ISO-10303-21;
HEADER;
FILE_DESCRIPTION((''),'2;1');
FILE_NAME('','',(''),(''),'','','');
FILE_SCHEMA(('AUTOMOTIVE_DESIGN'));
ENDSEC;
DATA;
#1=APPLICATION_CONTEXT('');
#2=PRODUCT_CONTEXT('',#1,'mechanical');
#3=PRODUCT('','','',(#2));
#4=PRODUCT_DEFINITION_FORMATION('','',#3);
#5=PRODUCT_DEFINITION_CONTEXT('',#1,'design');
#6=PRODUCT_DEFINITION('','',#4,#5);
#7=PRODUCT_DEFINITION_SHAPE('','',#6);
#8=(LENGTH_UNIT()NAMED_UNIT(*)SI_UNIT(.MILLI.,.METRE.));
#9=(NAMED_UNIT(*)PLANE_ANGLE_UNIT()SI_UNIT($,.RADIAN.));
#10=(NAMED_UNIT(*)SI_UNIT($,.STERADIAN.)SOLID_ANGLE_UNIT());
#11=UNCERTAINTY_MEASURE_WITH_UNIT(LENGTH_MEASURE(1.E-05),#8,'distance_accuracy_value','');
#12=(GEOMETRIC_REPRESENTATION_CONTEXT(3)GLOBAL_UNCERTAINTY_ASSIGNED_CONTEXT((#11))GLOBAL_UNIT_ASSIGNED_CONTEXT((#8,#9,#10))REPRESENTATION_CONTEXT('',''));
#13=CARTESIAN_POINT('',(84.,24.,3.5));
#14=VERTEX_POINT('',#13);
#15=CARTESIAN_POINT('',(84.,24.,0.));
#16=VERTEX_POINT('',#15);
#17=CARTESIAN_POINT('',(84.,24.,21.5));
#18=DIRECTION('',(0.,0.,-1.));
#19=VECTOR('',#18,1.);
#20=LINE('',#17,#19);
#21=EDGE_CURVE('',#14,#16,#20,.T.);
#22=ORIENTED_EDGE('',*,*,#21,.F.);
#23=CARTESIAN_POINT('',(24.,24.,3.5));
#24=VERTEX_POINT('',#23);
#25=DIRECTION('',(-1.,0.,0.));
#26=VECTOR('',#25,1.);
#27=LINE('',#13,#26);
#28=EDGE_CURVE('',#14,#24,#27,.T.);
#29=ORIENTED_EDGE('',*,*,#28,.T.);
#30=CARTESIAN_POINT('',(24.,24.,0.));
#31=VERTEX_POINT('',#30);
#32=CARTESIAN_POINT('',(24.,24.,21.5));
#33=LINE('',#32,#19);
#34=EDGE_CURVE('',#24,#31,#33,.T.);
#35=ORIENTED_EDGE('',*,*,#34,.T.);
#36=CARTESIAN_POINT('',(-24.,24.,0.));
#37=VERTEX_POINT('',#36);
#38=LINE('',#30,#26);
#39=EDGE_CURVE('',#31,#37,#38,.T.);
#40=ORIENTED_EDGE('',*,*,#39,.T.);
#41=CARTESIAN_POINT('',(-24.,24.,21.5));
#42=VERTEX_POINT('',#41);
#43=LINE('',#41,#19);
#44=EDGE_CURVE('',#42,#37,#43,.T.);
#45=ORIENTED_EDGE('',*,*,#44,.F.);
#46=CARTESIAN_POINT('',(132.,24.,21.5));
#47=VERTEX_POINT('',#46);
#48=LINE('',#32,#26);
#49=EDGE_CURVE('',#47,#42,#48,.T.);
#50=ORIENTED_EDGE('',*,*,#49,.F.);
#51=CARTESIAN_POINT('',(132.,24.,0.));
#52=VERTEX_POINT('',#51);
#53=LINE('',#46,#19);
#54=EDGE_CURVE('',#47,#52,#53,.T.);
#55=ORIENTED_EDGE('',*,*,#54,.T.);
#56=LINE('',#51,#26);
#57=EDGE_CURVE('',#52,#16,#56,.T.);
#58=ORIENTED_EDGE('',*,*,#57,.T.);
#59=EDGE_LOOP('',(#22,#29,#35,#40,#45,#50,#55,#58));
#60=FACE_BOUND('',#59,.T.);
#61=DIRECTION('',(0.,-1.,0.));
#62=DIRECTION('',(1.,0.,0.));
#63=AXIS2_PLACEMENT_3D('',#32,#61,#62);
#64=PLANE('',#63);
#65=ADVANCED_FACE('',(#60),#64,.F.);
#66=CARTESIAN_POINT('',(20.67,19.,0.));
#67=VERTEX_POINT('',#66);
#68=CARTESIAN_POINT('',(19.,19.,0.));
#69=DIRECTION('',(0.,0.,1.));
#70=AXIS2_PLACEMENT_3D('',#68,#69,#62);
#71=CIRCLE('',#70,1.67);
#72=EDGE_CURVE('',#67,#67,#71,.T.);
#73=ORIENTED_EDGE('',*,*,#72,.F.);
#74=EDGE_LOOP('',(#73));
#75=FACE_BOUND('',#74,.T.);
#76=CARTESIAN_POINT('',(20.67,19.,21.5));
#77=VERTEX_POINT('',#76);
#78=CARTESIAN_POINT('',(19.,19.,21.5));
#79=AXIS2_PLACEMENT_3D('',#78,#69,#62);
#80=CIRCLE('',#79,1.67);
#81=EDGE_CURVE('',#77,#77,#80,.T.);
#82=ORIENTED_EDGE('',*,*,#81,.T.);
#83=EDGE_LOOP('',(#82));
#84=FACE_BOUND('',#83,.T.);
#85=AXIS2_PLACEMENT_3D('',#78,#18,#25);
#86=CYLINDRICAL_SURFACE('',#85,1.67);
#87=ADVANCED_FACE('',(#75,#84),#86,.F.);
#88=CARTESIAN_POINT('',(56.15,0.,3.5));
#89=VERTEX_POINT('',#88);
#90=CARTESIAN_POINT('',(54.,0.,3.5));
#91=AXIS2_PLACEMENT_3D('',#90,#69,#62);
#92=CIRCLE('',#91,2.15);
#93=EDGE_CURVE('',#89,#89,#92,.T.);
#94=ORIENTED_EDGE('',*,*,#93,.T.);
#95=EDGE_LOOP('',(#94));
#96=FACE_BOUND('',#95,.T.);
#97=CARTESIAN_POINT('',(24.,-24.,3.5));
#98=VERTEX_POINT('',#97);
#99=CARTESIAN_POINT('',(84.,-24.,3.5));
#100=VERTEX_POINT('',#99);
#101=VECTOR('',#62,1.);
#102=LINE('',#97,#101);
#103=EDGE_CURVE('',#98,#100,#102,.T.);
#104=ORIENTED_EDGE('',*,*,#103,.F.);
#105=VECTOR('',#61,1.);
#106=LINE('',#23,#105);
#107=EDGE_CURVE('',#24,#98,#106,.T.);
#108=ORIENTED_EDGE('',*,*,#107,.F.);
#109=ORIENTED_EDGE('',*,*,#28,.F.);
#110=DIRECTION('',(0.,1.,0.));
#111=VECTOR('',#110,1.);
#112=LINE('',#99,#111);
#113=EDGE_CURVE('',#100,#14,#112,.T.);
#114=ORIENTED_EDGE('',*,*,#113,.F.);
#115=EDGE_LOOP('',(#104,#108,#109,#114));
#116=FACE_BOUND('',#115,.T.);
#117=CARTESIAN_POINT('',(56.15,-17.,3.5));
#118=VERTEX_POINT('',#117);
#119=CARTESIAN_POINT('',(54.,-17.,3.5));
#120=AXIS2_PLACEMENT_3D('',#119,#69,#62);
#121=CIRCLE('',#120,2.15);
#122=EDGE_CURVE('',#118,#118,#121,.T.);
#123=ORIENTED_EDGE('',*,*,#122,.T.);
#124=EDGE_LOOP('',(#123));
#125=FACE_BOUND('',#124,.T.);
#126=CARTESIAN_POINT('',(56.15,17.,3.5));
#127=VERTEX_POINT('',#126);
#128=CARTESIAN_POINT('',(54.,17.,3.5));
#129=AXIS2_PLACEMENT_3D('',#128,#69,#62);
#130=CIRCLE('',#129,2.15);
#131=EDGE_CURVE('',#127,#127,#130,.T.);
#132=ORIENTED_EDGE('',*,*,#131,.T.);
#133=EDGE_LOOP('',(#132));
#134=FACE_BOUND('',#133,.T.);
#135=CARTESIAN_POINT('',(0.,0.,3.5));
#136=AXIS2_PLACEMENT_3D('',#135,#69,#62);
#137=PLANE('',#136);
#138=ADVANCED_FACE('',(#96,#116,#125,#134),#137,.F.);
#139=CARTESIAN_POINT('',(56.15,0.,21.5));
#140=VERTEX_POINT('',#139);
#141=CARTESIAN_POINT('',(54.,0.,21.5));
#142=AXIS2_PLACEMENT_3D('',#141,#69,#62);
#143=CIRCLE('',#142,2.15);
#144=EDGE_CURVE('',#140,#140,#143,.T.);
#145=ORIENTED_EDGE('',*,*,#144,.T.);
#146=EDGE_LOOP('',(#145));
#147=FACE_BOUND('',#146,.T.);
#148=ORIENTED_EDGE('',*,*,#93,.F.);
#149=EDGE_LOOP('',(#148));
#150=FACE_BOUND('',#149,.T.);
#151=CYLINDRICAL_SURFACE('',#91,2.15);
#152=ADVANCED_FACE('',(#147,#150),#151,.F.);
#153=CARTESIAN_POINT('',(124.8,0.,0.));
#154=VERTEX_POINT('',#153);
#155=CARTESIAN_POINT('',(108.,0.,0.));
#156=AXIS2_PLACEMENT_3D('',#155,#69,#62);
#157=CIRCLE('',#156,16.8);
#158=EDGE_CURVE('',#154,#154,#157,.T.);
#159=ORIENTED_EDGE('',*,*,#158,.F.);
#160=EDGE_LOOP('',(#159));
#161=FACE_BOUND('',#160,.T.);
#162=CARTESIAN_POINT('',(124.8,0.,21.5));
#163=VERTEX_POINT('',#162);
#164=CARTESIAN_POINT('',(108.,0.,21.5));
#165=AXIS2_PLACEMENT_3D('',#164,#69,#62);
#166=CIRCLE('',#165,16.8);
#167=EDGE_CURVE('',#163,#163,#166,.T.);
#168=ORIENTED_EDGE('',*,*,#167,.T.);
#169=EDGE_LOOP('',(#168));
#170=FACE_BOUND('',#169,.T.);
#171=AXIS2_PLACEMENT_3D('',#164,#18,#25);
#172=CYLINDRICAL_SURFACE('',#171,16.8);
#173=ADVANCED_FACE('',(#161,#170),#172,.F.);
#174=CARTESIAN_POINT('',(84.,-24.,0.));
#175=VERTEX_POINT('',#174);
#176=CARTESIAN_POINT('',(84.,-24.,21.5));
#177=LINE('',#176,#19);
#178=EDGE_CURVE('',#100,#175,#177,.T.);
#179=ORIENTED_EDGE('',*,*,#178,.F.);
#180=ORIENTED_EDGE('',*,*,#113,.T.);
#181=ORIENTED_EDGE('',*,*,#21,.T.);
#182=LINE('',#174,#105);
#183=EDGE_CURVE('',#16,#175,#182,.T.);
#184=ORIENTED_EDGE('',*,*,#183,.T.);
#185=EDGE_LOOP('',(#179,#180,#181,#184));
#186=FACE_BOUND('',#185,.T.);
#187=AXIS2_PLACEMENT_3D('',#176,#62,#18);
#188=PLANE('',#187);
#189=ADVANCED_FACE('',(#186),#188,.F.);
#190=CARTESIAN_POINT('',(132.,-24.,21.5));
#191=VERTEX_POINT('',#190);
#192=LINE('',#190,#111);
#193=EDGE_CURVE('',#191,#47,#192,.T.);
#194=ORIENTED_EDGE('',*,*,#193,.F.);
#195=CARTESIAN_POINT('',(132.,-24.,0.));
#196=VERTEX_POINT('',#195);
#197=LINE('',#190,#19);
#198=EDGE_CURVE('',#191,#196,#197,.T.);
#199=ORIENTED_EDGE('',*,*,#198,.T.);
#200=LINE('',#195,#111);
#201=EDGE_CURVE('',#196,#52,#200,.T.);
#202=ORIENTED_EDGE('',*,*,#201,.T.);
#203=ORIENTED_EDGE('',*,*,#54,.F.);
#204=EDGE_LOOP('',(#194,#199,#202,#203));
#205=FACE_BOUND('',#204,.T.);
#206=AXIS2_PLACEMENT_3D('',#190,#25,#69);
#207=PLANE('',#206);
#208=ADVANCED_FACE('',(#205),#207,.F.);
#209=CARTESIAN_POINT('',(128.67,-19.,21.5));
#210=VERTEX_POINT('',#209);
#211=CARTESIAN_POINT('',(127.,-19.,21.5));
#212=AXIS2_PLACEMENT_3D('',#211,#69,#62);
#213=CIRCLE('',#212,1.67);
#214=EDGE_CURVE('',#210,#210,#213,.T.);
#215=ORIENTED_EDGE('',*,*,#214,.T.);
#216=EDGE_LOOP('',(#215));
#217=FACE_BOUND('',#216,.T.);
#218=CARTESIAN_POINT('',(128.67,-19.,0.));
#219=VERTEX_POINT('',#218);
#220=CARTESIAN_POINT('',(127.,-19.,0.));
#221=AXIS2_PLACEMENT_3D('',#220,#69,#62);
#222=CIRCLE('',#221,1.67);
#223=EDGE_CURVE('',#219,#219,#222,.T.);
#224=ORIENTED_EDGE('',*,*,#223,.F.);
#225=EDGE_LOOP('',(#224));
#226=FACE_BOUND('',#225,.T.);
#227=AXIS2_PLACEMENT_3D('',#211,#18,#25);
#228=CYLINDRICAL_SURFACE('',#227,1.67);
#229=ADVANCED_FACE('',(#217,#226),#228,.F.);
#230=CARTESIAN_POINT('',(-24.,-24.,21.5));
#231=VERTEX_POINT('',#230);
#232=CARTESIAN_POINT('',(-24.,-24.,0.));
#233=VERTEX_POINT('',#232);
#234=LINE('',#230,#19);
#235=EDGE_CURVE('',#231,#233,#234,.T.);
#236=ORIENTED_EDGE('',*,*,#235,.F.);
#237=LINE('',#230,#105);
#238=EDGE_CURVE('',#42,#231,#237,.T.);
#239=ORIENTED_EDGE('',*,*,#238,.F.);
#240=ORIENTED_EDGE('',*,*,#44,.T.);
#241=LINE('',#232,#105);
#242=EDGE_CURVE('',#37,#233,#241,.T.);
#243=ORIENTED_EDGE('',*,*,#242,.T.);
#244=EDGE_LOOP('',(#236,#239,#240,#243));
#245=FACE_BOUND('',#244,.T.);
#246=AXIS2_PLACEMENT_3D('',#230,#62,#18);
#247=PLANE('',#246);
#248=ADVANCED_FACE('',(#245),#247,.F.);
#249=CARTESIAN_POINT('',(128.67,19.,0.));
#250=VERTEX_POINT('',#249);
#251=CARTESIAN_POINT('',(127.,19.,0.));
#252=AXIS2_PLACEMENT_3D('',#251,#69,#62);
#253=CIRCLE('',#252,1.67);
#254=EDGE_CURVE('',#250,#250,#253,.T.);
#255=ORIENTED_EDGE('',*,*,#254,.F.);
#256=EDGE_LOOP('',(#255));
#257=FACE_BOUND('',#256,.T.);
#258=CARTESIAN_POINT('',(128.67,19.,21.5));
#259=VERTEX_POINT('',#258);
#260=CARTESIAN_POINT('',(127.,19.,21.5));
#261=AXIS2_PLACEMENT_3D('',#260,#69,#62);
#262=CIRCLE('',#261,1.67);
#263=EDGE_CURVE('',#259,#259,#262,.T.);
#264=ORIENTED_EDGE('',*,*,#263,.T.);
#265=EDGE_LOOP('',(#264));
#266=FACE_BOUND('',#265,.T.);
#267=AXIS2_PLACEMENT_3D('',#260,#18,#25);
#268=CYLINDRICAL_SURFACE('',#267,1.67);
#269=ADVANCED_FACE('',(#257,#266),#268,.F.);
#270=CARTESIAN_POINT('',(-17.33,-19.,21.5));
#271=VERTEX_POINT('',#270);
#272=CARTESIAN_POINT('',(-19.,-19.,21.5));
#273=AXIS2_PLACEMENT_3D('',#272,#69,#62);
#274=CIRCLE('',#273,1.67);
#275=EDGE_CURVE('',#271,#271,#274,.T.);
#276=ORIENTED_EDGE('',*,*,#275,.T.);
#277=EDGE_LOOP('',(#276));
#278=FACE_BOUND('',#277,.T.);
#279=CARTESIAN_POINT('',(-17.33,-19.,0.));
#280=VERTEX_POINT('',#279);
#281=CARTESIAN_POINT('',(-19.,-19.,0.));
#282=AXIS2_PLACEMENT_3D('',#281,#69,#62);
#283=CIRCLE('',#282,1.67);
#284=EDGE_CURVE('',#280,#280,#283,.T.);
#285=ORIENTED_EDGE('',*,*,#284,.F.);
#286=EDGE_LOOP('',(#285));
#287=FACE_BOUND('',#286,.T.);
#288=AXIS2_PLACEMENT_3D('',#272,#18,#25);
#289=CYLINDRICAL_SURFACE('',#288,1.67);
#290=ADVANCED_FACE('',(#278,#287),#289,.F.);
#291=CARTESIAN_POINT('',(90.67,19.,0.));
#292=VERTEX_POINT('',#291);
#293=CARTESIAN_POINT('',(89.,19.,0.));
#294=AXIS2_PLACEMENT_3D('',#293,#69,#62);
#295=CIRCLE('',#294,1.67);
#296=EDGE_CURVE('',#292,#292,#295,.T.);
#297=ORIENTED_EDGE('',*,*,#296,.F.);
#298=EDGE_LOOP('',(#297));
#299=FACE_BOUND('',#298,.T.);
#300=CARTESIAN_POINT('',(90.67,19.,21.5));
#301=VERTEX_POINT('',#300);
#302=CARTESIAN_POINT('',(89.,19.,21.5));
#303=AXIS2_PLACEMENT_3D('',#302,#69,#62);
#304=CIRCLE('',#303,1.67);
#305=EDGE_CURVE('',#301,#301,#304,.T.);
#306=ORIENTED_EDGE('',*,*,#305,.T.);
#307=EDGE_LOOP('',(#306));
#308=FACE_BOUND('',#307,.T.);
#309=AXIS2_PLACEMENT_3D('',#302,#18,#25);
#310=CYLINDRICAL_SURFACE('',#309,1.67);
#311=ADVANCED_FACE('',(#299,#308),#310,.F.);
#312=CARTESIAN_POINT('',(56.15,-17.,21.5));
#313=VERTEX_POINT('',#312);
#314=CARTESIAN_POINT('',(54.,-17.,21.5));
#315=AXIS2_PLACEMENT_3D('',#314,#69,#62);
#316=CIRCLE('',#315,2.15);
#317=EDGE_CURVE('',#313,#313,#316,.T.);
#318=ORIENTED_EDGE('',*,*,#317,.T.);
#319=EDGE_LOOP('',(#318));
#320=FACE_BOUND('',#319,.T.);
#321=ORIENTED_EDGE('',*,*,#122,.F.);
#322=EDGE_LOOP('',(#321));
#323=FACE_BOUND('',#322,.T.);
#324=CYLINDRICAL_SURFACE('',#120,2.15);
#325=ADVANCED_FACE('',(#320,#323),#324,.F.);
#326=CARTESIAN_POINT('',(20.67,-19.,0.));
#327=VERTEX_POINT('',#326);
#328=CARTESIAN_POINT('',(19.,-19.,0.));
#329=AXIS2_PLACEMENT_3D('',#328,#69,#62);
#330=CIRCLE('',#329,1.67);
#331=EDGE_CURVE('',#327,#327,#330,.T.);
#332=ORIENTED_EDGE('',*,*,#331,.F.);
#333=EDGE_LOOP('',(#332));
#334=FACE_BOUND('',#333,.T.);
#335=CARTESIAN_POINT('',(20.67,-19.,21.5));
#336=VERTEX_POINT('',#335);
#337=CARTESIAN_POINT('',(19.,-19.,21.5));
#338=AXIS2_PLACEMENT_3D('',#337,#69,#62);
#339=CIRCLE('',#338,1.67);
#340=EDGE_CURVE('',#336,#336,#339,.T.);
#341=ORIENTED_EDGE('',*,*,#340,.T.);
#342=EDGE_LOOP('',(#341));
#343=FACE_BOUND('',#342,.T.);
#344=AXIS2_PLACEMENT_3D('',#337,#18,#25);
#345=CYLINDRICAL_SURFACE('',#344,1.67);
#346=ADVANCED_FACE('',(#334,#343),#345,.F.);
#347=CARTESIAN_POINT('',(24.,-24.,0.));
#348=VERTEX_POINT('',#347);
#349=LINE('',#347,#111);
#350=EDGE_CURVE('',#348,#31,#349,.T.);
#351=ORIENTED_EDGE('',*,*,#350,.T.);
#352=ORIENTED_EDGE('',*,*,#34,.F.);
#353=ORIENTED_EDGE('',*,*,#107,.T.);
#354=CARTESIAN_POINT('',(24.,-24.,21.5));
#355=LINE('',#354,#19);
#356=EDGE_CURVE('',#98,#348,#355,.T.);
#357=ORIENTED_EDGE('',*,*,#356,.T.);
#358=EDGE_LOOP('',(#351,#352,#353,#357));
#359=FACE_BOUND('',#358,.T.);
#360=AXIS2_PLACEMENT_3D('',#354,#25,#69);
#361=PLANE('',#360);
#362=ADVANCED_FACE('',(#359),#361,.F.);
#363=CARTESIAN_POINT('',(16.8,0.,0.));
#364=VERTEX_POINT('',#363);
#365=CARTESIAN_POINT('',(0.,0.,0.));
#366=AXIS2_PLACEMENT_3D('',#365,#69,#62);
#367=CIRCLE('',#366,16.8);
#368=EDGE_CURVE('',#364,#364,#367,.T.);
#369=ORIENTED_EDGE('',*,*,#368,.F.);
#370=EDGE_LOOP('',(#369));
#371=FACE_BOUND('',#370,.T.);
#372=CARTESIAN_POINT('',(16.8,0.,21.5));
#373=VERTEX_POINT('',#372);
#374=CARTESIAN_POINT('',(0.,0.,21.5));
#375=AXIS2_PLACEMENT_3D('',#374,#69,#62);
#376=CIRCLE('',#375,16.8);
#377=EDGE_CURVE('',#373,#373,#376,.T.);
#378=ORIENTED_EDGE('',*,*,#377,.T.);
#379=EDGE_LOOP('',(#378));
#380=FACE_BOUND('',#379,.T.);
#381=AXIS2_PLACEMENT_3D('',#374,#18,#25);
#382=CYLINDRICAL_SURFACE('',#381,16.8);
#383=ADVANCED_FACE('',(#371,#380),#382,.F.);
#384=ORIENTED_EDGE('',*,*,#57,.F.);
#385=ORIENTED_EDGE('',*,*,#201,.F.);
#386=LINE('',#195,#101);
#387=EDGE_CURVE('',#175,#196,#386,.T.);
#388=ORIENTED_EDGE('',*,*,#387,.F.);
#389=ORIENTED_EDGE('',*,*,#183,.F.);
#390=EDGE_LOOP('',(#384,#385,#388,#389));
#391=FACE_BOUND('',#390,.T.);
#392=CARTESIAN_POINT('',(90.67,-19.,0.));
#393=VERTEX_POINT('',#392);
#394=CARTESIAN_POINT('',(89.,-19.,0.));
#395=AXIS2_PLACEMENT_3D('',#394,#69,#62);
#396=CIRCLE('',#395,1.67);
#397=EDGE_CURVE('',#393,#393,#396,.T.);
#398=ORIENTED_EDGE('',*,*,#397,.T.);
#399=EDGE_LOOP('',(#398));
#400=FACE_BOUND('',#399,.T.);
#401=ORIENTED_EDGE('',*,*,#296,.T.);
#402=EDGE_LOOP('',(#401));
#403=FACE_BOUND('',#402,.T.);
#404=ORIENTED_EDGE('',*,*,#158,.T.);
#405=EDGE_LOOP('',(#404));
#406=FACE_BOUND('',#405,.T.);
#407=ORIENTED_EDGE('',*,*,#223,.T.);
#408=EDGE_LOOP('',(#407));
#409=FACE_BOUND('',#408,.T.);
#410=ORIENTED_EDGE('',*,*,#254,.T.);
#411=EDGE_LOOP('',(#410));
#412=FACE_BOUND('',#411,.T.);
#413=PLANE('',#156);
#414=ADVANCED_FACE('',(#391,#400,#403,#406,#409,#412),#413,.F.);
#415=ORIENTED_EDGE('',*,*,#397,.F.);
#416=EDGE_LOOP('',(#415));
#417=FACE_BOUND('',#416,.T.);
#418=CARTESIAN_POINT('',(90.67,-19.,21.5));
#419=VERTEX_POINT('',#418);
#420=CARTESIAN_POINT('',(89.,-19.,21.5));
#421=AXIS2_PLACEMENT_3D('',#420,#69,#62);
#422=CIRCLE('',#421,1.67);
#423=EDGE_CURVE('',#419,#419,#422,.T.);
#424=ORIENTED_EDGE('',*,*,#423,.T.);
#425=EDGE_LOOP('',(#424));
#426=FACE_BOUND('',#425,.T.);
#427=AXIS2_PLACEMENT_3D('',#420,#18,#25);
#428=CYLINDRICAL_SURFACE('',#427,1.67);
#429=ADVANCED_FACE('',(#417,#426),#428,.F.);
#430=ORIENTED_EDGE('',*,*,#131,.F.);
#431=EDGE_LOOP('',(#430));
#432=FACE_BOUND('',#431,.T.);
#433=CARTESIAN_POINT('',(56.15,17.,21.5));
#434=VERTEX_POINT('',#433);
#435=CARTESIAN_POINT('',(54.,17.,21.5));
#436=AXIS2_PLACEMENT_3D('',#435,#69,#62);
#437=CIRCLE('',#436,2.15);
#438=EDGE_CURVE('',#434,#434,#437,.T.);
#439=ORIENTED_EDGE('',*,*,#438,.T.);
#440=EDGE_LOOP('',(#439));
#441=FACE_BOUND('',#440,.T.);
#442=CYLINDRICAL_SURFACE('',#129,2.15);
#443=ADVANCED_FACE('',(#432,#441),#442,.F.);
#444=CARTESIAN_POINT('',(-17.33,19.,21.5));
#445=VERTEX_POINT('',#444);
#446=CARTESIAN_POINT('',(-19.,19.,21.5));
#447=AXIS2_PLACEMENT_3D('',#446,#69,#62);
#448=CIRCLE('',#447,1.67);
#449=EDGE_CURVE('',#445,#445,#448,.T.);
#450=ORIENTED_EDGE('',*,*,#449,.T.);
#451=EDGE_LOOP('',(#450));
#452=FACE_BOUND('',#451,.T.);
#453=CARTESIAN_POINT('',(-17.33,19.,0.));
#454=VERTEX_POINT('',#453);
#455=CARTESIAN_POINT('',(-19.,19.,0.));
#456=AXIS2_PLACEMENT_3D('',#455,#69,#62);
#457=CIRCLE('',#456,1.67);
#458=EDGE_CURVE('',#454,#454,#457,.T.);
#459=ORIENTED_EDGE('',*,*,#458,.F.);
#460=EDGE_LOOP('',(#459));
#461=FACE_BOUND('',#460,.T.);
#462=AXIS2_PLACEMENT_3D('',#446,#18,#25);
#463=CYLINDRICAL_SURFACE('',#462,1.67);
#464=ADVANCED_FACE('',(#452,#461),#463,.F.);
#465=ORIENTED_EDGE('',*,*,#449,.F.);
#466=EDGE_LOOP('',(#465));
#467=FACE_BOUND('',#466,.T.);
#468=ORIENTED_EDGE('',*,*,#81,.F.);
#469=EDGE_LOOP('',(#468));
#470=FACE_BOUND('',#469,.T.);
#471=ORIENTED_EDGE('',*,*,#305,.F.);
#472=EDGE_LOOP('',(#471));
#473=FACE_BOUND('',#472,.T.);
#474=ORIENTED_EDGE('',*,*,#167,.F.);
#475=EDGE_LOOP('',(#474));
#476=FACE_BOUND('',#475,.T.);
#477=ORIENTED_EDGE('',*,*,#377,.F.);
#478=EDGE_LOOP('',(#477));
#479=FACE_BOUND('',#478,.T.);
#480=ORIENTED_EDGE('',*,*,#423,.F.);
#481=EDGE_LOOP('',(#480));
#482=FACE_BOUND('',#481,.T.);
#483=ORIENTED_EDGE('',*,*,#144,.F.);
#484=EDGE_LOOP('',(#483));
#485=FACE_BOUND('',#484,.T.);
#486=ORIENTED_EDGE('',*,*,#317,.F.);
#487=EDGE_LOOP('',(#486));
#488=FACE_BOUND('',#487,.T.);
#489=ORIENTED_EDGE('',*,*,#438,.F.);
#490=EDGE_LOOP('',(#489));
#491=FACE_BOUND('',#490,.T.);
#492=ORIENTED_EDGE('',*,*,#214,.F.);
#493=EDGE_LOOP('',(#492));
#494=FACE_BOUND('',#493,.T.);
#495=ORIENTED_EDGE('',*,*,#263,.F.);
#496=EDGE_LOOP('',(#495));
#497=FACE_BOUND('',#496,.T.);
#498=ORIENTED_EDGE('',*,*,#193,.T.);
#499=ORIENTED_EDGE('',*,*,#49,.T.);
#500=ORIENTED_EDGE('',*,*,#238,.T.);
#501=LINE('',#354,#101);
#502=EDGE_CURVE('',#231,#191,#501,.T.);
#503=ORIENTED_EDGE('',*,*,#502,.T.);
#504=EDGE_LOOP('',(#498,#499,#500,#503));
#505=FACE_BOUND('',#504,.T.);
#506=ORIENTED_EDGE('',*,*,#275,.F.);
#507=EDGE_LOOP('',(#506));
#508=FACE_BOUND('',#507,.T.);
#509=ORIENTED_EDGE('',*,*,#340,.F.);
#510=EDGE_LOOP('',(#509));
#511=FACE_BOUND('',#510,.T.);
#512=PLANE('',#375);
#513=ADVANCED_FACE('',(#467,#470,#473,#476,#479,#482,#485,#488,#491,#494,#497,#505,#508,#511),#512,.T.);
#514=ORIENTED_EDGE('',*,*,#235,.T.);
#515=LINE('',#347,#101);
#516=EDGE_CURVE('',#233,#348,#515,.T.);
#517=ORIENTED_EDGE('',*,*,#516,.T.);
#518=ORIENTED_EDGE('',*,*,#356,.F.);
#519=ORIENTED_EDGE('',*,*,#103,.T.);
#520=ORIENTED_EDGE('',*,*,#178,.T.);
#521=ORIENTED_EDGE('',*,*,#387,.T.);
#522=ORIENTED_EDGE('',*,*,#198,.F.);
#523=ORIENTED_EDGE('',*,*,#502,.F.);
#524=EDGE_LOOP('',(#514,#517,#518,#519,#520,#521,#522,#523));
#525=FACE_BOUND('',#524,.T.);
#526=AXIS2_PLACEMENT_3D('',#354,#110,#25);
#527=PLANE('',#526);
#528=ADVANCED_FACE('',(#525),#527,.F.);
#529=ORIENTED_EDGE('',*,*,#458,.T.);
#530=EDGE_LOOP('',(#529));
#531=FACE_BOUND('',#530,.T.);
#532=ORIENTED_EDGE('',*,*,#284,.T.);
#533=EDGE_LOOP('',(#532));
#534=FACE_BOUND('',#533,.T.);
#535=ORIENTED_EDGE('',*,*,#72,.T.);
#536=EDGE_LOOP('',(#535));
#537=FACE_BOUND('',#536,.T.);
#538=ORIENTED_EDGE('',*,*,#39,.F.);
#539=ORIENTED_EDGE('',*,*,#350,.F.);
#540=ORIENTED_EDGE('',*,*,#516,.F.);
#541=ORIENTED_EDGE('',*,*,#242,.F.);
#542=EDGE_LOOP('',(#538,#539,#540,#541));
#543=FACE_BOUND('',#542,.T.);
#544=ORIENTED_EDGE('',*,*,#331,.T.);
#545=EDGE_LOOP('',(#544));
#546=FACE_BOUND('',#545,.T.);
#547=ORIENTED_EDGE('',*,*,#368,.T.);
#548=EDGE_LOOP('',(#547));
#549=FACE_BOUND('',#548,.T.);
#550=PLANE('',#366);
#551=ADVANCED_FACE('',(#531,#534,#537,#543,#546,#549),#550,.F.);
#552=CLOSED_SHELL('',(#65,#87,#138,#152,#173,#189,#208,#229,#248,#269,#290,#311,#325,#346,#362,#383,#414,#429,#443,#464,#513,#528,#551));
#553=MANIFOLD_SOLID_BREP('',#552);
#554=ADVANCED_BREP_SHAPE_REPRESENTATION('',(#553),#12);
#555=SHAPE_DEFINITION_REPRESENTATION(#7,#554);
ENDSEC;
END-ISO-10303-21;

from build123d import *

# Parameters (mm, degrees)
SKETCH_1_W             = 48
SKETCH_1_H             = 48
SKETCH_1_R             = 16.8
SKETCH_1_R_2           = 1.67
EXTRUDE_1_DEPTH        = 21.5
SKETCH_3_W             = 60
SKETCH_3_H             = 48
SKETCH_3_R             = 2.15
EXTRUDE_2_DEPTH        = 18
PATTERN_LINEAR_2_COUNT = 2
PATTERN_LINEAR_2_PITCH = 108


with BuildPart() as part:
    # 草图1 → 凸台-拉伸1 (new body)
    with BuildSketch(Plane.XY):
        Rectangle(SKETCH_1_W, SKETCH_1_H)
        Circle(SKETCH_1_R, mode=Mode.SUBTRACT)
        with Locations((-19, 19)):
            Circle(SKETCH_1_R_2, mode=Mode.SUBTRACT)
        with Locations((19, 19)):
            Circle(SKETCH_1_R_2, mode=Mode.SUBTRACT)
        with Locations((19, -19)):
            Circle(SKETCH_1_R_2, mode=Mode.SUBTRACT)
        with Locations((-19, -19)):
            Circle(SKETCH_1_R_2, mode=Mode.SUBTRACT)
    extrude_1 = extrude(amount=EXTRUDE_1_DEPTH)

    # 草图3 → 凸台-拉伸2 (add)
    with BuildSketch(Plane.XY.offset(21.5)):
        with Locations((54, 0)):
            Rectangle(SKETCH_3_W, SKETCH_3_H)
        with Locations((54, 17)):
            Circle(SKETCH_3_R, mode=Mode.SUBTRACT)
        with Locations((54, 0)):
            Circle(SKETCH_3_R, mode=Mode.SUBTRACT)
        with Locations((54, -17)):
            Circle(SKETCH_3_R, mode=Mode.SUBTRACT)
    extrude(amount=-EXTRUDE_2_DEPTH)

    # 阵列(线性)2: 凸台-拉伸1 ×2
    with Locations(*[(i * PATTERN_LINEAR_2_PITCH, 0, 0) for i in range(1, PATTERN_LINEAR_2_COUNT)]):
        add(extrude_1)


solid = part.part
